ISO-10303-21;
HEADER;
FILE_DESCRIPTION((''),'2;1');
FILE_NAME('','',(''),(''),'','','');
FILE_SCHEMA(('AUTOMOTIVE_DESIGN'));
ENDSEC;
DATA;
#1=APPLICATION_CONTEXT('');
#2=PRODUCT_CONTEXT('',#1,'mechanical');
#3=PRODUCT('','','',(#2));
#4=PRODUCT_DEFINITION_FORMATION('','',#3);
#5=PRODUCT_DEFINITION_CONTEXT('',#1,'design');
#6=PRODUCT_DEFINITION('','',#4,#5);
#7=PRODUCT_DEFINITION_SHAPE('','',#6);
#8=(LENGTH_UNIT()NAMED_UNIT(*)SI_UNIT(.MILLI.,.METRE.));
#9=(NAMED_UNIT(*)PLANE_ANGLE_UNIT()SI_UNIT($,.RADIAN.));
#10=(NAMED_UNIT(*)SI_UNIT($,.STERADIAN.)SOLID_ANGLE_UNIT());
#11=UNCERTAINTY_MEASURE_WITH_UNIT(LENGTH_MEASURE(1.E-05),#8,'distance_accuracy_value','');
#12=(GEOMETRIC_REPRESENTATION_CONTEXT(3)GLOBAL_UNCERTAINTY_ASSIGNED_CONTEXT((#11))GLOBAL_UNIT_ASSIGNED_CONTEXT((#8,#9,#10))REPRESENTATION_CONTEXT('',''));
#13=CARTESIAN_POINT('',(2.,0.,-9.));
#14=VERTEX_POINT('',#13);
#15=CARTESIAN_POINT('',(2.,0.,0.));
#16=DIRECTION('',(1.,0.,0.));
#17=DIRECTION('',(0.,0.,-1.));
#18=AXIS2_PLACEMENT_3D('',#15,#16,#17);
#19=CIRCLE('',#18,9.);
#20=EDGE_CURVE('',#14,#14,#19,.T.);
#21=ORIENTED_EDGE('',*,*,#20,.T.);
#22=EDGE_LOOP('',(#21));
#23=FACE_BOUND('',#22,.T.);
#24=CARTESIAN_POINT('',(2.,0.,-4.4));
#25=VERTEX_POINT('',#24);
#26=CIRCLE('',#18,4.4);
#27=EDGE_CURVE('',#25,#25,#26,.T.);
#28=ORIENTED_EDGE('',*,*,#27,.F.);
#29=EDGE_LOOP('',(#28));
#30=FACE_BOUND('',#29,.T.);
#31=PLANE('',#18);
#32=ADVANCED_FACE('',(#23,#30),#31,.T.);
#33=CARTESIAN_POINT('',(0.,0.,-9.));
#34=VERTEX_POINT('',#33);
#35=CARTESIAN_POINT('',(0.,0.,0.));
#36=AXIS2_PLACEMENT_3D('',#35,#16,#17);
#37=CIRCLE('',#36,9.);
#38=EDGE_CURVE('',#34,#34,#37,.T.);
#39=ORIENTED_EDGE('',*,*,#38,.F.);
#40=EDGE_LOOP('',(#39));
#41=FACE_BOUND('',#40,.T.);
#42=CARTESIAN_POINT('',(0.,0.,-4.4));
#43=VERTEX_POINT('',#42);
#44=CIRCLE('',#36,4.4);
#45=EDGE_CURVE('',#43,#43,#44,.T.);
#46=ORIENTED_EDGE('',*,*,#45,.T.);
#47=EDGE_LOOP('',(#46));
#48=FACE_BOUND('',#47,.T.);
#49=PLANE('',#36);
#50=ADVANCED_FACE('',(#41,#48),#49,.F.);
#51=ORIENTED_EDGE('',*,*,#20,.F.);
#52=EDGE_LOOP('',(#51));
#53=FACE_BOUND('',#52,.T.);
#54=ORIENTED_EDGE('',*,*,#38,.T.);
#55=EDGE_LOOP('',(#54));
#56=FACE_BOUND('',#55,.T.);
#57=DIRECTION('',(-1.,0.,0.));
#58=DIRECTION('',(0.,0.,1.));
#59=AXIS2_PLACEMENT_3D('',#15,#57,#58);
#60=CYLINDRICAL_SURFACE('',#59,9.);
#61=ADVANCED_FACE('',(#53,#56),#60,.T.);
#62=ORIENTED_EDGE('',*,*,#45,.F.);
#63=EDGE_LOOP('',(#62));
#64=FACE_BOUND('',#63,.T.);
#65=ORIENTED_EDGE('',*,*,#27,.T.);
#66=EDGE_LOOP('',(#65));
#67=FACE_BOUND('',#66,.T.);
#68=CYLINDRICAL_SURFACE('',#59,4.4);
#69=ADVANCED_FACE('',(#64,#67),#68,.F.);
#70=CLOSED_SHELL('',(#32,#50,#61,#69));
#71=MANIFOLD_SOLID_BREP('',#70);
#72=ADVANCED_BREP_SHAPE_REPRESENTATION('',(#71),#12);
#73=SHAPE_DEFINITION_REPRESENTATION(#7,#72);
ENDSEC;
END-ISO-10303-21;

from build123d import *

# Parameters (mm, degrees)
SKETCH1_R          = 9
SKETCH1_R_2        = 4.4
BASE_EXTRUDE_DEPTH = 2


with BuildPart() as part:
    # Sketch1 → Base-Extrude (new body)
    with BuildSketch(Plane(origin=(0, 0, 0), x_dir=(0, 0, -1), z_dir=(1, 0, 0))):
        Circle(SKETCH1_R)
        Circle(SKETCH1_R_2, mode=Mode.SUBTRACT)
    extrude(amount=BASE_EXTRUDE_DEPTH)


solid = part.part
